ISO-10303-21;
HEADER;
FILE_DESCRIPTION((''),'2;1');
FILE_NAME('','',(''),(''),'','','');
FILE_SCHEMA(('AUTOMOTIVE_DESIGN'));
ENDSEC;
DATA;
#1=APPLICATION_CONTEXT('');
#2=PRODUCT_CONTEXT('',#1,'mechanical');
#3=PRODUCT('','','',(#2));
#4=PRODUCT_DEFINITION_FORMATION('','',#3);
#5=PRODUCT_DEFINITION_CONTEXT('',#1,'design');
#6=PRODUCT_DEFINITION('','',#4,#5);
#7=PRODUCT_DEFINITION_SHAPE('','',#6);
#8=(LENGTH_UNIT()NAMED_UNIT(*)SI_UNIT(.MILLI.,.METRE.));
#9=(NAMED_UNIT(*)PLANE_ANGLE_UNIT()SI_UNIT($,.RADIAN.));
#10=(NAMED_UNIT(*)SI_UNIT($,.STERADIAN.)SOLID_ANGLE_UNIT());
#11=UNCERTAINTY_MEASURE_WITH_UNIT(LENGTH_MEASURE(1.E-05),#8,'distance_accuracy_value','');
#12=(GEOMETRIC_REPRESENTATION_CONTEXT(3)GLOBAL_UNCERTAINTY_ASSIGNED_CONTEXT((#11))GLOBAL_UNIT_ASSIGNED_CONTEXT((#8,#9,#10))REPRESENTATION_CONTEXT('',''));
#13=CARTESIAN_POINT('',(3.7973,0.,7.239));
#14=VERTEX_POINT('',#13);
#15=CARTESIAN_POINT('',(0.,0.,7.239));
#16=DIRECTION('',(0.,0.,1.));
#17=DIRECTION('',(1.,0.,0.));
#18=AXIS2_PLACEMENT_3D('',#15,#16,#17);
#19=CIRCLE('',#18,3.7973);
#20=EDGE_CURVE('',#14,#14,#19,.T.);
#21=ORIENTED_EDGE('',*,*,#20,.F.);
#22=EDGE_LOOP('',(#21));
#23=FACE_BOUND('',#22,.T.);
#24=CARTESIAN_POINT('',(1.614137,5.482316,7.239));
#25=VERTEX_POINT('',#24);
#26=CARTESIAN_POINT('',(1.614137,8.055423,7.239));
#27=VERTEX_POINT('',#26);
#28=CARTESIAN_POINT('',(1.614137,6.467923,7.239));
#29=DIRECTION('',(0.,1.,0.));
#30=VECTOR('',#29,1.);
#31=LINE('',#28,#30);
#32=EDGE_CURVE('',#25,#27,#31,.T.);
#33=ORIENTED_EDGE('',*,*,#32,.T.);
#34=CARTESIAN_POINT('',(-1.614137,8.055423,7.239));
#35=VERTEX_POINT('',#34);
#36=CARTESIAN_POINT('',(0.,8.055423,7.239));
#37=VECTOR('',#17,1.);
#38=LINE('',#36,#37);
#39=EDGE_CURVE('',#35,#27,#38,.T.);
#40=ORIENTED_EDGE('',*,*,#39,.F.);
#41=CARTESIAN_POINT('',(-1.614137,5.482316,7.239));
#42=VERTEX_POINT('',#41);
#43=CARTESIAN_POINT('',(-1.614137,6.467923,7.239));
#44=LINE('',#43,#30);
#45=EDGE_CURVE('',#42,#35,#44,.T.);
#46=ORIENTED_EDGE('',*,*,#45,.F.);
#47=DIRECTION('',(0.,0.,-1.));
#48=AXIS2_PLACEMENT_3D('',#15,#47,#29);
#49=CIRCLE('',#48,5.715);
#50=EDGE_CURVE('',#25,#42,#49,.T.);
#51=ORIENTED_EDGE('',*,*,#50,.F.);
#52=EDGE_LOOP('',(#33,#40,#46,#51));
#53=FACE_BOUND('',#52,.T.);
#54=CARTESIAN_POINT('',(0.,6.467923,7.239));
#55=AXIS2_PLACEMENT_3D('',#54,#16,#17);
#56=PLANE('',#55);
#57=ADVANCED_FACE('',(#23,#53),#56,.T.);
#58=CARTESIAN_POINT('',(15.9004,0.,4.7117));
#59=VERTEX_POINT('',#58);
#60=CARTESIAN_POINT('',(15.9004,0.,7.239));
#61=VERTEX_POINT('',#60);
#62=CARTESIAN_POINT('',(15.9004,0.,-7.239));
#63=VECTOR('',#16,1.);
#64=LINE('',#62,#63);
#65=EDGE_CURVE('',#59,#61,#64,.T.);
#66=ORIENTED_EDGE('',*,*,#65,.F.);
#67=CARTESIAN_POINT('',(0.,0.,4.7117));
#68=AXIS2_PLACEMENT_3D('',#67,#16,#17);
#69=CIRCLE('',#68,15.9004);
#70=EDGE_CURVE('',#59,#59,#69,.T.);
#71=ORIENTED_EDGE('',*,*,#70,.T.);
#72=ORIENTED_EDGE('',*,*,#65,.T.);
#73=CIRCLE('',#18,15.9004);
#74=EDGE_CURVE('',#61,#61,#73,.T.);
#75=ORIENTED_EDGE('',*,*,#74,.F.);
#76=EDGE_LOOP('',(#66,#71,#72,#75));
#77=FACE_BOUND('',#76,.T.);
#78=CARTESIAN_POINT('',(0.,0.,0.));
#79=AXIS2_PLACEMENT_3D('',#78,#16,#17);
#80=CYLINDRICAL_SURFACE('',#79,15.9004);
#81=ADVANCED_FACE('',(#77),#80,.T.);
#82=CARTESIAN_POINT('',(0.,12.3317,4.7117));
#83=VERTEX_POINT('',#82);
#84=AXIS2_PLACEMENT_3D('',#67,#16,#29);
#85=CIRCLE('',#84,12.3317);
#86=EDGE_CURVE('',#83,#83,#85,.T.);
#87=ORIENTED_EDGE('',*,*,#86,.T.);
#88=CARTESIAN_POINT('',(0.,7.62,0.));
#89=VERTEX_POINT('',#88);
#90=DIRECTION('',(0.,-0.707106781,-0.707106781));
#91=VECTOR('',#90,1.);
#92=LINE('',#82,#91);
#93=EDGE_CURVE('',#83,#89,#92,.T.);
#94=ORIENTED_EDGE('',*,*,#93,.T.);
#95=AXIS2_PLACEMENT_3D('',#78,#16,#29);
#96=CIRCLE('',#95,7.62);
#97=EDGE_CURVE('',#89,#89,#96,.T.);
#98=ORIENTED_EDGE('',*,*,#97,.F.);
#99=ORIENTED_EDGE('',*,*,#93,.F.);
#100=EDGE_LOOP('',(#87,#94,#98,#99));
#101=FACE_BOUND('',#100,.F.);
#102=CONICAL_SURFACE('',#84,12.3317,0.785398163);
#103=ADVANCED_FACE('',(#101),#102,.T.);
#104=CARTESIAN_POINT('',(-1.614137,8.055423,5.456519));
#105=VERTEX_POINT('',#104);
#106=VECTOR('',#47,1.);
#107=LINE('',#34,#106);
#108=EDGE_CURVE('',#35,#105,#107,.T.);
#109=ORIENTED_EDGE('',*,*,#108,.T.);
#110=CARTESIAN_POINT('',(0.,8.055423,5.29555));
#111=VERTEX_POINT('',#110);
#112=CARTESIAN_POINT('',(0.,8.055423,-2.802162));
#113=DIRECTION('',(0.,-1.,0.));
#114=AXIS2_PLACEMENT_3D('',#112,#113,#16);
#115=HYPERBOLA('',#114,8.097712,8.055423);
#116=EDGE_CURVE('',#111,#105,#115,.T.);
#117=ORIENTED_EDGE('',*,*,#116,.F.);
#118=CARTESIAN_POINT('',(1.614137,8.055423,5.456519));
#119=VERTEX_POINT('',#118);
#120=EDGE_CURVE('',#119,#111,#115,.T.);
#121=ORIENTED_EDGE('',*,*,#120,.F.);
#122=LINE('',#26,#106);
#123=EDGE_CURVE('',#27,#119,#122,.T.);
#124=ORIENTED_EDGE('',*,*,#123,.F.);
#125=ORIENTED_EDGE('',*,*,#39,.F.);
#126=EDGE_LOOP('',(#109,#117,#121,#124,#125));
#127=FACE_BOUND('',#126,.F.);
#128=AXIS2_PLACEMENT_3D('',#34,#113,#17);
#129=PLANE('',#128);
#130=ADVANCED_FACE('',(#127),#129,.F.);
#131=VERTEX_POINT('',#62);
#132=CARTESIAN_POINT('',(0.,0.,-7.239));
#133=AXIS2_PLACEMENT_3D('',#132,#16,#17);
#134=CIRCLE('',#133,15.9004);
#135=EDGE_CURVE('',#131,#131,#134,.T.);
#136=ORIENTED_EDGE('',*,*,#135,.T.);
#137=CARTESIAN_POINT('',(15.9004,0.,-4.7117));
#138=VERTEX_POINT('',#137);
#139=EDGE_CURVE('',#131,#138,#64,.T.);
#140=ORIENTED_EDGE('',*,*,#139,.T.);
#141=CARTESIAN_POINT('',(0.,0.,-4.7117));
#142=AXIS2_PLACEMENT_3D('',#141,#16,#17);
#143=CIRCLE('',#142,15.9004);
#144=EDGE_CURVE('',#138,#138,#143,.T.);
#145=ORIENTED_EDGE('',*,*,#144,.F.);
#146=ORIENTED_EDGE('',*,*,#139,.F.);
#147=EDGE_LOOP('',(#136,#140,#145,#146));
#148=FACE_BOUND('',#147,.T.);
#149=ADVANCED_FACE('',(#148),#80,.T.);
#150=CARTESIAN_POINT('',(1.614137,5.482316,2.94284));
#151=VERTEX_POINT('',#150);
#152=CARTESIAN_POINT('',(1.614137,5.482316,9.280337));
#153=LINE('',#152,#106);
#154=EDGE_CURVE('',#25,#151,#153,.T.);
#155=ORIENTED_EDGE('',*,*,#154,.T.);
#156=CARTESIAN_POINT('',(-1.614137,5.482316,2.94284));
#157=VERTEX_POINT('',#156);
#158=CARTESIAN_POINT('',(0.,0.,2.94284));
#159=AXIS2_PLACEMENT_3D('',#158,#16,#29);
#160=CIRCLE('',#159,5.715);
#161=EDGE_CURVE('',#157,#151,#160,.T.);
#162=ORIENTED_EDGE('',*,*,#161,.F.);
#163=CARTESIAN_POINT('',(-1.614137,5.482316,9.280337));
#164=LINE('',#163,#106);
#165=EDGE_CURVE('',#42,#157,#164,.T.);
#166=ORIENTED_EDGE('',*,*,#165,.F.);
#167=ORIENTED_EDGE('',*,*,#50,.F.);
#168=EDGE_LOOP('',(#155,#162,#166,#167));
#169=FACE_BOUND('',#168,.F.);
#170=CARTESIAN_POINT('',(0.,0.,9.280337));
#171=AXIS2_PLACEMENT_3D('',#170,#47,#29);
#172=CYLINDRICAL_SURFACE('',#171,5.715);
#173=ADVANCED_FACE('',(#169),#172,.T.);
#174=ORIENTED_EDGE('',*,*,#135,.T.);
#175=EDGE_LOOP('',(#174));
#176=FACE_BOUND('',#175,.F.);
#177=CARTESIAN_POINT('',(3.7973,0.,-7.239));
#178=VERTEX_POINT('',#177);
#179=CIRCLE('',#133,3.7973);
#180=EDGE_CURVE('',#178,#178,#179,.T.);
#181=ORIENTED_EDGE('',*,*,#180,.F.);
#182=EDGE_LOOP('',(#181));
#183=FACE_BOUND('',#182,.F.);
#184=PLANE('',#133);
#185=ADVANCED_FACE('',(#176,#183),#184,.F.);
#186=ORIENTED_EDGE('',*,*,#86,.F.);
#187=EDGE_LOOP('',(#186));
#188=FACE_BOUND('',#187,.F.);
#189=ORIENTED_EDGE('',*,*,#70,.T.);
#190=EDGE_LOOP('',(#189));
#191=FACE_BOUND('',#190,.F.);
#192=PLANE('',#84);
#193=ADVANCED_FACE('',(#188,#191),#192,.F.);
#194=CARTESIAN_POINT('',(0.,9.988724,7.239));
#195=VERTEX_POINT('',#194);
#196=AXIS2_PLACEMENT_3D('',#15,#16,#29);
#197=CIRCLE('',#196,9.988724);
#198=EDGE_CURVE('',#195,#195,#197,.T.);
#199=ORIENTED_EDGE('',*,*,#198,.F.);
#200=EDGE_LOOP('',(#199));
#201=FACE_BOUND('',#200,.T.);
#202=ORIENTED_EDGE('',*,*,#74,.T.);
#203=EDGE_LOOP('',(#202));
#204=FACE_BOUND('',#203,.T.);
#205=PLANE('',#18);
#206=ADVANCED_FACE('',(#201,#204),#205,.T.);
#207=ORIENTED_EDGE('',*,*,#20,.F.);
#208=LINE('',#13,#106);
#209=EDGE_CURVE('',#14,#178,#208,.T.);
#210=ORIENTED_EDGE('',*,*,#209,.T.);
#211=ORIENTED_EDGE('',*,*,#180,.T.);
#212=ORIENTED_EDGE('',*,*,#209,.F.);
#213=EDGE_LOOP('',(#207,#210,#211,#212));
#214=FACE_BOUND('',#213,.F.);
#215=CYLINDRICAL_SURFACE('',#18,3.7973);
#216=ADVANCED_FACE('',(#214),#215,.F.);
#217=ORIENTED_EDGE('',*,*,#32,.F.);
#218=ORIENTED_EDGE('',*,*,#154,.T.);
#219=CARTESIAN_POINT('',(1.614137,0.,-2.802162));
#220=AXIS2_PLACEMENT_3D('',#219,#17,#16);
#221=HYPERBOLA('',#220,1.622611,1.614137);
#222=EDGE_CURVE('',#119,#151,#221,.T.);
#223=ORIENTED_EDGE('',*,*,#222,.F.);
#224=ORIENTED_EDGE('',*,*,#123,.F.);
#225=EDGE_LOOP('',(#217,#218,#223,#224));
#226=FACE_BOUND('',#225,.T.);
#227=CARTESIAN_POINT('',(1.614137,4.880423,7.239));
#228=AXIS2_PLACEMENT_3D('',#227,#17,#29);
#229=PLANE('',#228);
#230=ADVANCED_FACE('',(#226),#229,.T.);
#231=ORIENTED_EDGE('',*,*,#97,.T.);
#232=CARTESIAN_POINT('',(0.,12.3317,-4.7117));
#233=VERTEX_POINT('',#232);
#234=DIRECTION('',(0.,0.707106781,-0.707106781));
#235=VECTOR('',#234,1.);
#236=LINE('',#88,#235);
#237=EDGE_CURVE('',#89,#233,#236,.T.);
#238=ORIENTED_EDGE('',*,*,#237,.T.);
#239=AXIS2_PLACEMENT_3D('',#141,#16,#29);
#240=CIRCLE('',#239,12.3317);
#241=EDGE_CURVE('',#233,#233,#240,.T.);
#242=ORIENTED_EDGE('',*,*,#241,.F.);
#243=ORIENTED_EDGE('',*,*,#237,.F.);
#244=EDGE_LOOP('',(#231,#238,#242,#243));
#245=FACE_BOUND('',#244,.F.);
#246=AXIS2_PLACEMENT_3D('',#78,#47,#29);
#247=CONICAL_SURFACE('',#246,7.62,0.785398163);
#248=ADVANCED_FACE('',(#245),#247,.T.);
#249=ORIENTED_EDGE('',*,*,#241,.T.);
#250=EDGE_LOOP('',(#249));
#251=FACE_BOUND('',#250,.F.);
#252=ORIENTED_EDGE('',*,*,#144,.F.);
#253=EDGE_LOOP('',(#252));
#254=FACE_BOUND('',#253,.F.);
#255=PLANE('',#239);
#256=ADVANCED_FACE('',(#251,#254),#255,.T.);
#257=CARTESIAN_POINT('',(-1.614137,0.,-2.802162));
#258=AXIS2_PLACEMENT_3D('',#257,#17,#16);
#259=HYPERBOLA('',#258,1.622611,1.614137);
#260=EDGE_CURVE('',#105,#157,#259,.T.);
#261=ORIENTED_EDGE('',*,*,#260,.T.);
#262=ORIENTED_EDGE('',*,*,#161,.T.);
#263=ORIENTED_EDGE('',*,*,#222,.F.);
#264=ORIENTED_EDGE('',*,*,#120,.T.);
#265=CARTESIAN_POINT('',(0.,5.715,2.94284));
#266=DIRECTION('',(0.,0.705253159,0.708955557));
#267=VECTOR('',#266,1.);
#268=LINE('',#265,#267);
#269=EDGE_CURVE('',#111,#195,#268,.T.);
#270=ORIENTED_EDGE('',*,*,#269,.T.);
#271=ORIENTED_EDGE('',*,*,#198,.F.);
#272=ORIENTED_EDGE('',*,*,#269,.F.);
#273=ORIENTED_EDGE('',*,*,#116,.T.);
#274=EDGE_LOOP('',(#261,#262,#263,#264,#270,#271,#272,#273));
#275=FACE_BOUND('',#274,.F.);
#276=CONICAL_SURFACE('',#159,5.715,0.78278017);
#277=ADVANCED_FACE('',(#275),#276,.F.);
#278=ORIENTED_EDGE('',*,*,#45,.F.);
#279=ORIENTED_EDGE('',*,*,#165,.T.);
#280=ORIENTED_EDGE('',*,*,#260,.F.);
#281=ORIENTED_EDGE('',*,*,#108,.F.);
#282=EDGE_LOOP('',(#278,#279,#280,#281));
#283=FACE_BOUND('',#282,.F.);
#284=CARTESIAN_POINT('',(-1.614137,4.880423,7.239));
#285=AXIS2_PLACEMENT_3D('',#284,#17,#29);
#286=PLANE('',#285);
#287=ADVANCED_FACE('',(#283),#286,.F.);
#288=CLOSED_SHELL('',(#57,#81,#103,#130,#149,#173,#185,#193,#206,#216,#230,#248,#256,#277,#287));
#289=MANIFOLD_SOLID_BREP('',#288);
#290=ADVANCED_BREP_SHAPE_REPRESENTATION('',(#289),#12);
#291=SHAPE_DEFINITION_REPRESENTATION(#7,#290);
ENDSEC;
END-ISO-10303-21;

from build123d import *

# Parameters (mm, degrees)
F0_R     = 15.9004
F1_DEPTH = 7.239
F2_R     = 3.7973
F3_DEPTH = 14.479
F6_W     = 3.2282739412
F6_H     = 3.175


with BuildPart() as f1:
    # F0 (on Top) → F1 (new body, symmetric)
    with BuildSketch(Plane.XY):
        Circle(F0_R)
    extrude(amount=F1_DEPTH, both=True)

    # F2 (on face) → F3 (cut, through all)
    with BuildSketch(Plane.XY.offset(7.239)):
        Circle(F2_R)
    extrude(amount=-F3_DEPTH, mode=Mode.SUBTRACT)

    # F4 (on Right) → F5 (revolve, cut)
    with BuildSketch(Plane.YZ):
        Polygon((21.4757, -4.7117), (21.4757, 4.7117), (12.3317, 4.7117), (7.62, 0), (12.3317, -4.7117), align=None)
        Polygon((12.0194002201, 9.2803370403), (5.715, 9.2803370403), (5.715, 2.9428403359), align=None)
    revolve(axis=Axis((0, 0, 7.4247815646), (0, 0, 1)), mode=Mode.SUBTRACT)

    # F6 (on face) → F7 (join, up to the next surface of F1)
    with BuildSketch(Plane.XY.offset(7.239)):
        with Locations((0, 6.4679230563)):
            Rectangle(F6_W, F6_H)
    extrude(until=Until.NEXT, dir=(0, 0, -1))


solid = f1.part
